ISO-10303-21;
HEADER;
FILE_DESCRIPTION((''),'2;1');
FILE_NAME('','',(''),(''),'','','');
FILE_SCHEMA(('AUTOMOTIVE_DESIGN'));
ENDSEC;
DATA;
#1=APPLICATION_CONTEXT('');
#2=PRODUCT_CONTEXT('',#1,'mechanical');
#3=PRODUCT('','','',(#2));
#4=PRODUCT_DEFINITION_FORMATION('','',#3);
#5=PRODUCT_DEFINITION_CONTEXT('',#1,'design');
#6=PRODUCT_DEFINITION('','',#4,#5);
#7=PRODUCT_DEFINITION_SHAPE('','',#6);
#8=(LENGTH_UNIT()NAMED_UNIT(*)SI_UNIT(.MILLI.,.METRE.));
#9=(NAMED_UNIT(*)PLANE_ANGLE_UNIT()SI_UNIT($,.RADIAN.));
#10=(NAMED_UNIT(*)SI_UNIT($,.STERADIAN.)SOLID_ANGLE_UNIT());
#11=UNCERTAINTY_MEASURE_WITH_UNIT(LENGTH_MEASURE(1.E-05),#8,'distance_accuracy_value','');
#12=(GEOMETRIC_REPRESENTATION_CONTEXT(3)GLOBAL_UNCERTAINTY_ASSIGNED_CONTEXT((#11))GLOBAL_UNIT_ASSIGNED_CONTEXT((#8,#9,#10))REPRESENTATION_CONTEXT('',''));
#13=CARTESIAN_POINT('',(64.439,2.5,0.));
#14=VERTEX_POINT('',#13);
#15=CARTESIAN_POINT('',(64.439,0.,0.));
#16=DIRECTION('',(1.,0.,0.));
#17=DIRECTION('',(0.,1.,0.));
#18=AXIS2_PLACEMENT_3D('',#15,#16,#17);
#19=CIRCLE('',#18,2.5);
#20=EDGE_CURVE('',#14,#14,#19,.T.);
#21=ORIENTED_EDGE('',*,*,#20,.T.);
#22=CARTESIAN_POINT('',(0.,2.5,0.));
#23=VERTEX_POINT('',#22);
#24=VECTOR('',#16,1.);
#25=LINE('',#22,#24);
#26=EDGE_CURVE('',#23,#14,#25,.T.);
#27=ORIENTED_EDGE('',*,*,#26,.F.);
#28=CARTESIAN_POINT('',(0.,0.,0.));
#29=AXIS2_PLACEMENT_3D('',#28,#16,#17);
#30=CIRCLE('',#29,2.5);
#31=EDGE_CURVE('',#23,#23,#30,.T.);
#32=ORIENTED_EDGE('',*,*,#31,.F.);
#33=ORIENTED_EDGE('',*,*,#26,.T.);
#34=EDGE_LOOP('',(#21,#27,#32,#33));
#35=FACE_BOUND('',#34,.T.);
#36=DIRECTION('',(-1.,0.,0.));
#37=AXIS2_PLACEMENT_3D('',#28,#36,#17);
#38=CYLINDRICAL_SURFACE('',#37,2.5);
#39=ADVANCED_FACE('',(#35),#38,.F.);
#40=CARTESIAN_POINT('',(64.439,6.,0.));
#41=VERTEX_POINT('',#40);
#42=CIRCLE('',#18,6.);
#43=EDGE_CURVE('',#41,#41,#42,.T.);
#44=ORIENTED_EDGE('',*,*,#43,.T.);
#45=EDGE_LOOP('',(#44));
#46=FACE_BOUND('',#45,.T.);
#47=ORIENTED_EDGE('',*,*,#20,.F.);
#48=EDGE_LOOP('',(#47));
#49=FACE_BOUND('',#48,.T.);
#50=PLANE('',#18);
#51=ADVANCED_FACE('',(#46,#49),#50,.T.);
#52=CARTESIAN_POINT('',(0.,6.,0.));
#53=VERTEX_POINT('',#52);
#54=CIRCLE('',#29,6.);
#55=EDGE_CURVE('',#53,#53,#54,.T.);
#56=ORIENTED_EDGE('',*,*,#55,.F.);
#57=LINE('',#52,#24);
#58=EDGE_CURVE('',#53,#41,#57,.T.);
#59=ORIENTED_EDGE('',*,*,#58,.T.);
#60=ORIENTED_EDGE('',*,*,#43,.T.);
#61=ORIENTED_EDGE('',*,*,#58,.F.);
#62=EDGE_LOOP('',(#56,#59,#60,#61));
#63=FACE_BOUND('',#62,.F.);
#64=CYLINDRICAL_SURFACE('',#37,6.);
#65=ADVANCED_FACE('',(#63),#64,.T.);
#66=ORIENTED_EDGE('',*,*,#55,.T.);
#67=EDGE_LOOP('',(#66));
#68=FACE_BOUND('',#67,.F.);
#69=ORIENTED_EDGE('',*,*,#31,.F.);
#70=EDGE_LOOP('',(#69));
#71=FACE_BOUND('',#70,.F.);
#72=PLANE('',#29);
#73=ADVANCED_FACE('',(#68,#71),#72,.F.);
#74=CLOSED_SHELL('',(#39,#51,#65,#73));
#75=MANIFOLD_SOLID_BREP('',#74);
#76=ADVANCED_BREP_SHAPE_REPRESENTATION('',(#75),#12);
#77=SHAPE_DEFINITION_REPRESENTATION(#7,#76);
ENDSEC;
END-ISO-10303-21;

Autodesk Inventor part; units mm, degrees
ref_plane "YZ Plane" through (0, 0, 0) normal (1, 0, 0) x (0, 1, 0)
ref_plane "XZ Plane" through (0, 0, 0) normal (0, 1, 0) x (-1, 0, 0)
ref_plane "XY Plane" through (0, 0, 0) normal (0, 0, 1) x (1, 0, 0)
sketch "Sketch1" plane through (0, 0, 0) normal (1, 0, 0) x (0, 1, 0)
  circle A0 centre (0, 0) radius 2.5
  circle A1 centre (0, 0) radius 6
  dimension "d1" = 12
  dimension "d2" = 5
extrude "Extrusion1" add sketch "Sketch1" along normal blind 64.439
properties part number "363-51"
